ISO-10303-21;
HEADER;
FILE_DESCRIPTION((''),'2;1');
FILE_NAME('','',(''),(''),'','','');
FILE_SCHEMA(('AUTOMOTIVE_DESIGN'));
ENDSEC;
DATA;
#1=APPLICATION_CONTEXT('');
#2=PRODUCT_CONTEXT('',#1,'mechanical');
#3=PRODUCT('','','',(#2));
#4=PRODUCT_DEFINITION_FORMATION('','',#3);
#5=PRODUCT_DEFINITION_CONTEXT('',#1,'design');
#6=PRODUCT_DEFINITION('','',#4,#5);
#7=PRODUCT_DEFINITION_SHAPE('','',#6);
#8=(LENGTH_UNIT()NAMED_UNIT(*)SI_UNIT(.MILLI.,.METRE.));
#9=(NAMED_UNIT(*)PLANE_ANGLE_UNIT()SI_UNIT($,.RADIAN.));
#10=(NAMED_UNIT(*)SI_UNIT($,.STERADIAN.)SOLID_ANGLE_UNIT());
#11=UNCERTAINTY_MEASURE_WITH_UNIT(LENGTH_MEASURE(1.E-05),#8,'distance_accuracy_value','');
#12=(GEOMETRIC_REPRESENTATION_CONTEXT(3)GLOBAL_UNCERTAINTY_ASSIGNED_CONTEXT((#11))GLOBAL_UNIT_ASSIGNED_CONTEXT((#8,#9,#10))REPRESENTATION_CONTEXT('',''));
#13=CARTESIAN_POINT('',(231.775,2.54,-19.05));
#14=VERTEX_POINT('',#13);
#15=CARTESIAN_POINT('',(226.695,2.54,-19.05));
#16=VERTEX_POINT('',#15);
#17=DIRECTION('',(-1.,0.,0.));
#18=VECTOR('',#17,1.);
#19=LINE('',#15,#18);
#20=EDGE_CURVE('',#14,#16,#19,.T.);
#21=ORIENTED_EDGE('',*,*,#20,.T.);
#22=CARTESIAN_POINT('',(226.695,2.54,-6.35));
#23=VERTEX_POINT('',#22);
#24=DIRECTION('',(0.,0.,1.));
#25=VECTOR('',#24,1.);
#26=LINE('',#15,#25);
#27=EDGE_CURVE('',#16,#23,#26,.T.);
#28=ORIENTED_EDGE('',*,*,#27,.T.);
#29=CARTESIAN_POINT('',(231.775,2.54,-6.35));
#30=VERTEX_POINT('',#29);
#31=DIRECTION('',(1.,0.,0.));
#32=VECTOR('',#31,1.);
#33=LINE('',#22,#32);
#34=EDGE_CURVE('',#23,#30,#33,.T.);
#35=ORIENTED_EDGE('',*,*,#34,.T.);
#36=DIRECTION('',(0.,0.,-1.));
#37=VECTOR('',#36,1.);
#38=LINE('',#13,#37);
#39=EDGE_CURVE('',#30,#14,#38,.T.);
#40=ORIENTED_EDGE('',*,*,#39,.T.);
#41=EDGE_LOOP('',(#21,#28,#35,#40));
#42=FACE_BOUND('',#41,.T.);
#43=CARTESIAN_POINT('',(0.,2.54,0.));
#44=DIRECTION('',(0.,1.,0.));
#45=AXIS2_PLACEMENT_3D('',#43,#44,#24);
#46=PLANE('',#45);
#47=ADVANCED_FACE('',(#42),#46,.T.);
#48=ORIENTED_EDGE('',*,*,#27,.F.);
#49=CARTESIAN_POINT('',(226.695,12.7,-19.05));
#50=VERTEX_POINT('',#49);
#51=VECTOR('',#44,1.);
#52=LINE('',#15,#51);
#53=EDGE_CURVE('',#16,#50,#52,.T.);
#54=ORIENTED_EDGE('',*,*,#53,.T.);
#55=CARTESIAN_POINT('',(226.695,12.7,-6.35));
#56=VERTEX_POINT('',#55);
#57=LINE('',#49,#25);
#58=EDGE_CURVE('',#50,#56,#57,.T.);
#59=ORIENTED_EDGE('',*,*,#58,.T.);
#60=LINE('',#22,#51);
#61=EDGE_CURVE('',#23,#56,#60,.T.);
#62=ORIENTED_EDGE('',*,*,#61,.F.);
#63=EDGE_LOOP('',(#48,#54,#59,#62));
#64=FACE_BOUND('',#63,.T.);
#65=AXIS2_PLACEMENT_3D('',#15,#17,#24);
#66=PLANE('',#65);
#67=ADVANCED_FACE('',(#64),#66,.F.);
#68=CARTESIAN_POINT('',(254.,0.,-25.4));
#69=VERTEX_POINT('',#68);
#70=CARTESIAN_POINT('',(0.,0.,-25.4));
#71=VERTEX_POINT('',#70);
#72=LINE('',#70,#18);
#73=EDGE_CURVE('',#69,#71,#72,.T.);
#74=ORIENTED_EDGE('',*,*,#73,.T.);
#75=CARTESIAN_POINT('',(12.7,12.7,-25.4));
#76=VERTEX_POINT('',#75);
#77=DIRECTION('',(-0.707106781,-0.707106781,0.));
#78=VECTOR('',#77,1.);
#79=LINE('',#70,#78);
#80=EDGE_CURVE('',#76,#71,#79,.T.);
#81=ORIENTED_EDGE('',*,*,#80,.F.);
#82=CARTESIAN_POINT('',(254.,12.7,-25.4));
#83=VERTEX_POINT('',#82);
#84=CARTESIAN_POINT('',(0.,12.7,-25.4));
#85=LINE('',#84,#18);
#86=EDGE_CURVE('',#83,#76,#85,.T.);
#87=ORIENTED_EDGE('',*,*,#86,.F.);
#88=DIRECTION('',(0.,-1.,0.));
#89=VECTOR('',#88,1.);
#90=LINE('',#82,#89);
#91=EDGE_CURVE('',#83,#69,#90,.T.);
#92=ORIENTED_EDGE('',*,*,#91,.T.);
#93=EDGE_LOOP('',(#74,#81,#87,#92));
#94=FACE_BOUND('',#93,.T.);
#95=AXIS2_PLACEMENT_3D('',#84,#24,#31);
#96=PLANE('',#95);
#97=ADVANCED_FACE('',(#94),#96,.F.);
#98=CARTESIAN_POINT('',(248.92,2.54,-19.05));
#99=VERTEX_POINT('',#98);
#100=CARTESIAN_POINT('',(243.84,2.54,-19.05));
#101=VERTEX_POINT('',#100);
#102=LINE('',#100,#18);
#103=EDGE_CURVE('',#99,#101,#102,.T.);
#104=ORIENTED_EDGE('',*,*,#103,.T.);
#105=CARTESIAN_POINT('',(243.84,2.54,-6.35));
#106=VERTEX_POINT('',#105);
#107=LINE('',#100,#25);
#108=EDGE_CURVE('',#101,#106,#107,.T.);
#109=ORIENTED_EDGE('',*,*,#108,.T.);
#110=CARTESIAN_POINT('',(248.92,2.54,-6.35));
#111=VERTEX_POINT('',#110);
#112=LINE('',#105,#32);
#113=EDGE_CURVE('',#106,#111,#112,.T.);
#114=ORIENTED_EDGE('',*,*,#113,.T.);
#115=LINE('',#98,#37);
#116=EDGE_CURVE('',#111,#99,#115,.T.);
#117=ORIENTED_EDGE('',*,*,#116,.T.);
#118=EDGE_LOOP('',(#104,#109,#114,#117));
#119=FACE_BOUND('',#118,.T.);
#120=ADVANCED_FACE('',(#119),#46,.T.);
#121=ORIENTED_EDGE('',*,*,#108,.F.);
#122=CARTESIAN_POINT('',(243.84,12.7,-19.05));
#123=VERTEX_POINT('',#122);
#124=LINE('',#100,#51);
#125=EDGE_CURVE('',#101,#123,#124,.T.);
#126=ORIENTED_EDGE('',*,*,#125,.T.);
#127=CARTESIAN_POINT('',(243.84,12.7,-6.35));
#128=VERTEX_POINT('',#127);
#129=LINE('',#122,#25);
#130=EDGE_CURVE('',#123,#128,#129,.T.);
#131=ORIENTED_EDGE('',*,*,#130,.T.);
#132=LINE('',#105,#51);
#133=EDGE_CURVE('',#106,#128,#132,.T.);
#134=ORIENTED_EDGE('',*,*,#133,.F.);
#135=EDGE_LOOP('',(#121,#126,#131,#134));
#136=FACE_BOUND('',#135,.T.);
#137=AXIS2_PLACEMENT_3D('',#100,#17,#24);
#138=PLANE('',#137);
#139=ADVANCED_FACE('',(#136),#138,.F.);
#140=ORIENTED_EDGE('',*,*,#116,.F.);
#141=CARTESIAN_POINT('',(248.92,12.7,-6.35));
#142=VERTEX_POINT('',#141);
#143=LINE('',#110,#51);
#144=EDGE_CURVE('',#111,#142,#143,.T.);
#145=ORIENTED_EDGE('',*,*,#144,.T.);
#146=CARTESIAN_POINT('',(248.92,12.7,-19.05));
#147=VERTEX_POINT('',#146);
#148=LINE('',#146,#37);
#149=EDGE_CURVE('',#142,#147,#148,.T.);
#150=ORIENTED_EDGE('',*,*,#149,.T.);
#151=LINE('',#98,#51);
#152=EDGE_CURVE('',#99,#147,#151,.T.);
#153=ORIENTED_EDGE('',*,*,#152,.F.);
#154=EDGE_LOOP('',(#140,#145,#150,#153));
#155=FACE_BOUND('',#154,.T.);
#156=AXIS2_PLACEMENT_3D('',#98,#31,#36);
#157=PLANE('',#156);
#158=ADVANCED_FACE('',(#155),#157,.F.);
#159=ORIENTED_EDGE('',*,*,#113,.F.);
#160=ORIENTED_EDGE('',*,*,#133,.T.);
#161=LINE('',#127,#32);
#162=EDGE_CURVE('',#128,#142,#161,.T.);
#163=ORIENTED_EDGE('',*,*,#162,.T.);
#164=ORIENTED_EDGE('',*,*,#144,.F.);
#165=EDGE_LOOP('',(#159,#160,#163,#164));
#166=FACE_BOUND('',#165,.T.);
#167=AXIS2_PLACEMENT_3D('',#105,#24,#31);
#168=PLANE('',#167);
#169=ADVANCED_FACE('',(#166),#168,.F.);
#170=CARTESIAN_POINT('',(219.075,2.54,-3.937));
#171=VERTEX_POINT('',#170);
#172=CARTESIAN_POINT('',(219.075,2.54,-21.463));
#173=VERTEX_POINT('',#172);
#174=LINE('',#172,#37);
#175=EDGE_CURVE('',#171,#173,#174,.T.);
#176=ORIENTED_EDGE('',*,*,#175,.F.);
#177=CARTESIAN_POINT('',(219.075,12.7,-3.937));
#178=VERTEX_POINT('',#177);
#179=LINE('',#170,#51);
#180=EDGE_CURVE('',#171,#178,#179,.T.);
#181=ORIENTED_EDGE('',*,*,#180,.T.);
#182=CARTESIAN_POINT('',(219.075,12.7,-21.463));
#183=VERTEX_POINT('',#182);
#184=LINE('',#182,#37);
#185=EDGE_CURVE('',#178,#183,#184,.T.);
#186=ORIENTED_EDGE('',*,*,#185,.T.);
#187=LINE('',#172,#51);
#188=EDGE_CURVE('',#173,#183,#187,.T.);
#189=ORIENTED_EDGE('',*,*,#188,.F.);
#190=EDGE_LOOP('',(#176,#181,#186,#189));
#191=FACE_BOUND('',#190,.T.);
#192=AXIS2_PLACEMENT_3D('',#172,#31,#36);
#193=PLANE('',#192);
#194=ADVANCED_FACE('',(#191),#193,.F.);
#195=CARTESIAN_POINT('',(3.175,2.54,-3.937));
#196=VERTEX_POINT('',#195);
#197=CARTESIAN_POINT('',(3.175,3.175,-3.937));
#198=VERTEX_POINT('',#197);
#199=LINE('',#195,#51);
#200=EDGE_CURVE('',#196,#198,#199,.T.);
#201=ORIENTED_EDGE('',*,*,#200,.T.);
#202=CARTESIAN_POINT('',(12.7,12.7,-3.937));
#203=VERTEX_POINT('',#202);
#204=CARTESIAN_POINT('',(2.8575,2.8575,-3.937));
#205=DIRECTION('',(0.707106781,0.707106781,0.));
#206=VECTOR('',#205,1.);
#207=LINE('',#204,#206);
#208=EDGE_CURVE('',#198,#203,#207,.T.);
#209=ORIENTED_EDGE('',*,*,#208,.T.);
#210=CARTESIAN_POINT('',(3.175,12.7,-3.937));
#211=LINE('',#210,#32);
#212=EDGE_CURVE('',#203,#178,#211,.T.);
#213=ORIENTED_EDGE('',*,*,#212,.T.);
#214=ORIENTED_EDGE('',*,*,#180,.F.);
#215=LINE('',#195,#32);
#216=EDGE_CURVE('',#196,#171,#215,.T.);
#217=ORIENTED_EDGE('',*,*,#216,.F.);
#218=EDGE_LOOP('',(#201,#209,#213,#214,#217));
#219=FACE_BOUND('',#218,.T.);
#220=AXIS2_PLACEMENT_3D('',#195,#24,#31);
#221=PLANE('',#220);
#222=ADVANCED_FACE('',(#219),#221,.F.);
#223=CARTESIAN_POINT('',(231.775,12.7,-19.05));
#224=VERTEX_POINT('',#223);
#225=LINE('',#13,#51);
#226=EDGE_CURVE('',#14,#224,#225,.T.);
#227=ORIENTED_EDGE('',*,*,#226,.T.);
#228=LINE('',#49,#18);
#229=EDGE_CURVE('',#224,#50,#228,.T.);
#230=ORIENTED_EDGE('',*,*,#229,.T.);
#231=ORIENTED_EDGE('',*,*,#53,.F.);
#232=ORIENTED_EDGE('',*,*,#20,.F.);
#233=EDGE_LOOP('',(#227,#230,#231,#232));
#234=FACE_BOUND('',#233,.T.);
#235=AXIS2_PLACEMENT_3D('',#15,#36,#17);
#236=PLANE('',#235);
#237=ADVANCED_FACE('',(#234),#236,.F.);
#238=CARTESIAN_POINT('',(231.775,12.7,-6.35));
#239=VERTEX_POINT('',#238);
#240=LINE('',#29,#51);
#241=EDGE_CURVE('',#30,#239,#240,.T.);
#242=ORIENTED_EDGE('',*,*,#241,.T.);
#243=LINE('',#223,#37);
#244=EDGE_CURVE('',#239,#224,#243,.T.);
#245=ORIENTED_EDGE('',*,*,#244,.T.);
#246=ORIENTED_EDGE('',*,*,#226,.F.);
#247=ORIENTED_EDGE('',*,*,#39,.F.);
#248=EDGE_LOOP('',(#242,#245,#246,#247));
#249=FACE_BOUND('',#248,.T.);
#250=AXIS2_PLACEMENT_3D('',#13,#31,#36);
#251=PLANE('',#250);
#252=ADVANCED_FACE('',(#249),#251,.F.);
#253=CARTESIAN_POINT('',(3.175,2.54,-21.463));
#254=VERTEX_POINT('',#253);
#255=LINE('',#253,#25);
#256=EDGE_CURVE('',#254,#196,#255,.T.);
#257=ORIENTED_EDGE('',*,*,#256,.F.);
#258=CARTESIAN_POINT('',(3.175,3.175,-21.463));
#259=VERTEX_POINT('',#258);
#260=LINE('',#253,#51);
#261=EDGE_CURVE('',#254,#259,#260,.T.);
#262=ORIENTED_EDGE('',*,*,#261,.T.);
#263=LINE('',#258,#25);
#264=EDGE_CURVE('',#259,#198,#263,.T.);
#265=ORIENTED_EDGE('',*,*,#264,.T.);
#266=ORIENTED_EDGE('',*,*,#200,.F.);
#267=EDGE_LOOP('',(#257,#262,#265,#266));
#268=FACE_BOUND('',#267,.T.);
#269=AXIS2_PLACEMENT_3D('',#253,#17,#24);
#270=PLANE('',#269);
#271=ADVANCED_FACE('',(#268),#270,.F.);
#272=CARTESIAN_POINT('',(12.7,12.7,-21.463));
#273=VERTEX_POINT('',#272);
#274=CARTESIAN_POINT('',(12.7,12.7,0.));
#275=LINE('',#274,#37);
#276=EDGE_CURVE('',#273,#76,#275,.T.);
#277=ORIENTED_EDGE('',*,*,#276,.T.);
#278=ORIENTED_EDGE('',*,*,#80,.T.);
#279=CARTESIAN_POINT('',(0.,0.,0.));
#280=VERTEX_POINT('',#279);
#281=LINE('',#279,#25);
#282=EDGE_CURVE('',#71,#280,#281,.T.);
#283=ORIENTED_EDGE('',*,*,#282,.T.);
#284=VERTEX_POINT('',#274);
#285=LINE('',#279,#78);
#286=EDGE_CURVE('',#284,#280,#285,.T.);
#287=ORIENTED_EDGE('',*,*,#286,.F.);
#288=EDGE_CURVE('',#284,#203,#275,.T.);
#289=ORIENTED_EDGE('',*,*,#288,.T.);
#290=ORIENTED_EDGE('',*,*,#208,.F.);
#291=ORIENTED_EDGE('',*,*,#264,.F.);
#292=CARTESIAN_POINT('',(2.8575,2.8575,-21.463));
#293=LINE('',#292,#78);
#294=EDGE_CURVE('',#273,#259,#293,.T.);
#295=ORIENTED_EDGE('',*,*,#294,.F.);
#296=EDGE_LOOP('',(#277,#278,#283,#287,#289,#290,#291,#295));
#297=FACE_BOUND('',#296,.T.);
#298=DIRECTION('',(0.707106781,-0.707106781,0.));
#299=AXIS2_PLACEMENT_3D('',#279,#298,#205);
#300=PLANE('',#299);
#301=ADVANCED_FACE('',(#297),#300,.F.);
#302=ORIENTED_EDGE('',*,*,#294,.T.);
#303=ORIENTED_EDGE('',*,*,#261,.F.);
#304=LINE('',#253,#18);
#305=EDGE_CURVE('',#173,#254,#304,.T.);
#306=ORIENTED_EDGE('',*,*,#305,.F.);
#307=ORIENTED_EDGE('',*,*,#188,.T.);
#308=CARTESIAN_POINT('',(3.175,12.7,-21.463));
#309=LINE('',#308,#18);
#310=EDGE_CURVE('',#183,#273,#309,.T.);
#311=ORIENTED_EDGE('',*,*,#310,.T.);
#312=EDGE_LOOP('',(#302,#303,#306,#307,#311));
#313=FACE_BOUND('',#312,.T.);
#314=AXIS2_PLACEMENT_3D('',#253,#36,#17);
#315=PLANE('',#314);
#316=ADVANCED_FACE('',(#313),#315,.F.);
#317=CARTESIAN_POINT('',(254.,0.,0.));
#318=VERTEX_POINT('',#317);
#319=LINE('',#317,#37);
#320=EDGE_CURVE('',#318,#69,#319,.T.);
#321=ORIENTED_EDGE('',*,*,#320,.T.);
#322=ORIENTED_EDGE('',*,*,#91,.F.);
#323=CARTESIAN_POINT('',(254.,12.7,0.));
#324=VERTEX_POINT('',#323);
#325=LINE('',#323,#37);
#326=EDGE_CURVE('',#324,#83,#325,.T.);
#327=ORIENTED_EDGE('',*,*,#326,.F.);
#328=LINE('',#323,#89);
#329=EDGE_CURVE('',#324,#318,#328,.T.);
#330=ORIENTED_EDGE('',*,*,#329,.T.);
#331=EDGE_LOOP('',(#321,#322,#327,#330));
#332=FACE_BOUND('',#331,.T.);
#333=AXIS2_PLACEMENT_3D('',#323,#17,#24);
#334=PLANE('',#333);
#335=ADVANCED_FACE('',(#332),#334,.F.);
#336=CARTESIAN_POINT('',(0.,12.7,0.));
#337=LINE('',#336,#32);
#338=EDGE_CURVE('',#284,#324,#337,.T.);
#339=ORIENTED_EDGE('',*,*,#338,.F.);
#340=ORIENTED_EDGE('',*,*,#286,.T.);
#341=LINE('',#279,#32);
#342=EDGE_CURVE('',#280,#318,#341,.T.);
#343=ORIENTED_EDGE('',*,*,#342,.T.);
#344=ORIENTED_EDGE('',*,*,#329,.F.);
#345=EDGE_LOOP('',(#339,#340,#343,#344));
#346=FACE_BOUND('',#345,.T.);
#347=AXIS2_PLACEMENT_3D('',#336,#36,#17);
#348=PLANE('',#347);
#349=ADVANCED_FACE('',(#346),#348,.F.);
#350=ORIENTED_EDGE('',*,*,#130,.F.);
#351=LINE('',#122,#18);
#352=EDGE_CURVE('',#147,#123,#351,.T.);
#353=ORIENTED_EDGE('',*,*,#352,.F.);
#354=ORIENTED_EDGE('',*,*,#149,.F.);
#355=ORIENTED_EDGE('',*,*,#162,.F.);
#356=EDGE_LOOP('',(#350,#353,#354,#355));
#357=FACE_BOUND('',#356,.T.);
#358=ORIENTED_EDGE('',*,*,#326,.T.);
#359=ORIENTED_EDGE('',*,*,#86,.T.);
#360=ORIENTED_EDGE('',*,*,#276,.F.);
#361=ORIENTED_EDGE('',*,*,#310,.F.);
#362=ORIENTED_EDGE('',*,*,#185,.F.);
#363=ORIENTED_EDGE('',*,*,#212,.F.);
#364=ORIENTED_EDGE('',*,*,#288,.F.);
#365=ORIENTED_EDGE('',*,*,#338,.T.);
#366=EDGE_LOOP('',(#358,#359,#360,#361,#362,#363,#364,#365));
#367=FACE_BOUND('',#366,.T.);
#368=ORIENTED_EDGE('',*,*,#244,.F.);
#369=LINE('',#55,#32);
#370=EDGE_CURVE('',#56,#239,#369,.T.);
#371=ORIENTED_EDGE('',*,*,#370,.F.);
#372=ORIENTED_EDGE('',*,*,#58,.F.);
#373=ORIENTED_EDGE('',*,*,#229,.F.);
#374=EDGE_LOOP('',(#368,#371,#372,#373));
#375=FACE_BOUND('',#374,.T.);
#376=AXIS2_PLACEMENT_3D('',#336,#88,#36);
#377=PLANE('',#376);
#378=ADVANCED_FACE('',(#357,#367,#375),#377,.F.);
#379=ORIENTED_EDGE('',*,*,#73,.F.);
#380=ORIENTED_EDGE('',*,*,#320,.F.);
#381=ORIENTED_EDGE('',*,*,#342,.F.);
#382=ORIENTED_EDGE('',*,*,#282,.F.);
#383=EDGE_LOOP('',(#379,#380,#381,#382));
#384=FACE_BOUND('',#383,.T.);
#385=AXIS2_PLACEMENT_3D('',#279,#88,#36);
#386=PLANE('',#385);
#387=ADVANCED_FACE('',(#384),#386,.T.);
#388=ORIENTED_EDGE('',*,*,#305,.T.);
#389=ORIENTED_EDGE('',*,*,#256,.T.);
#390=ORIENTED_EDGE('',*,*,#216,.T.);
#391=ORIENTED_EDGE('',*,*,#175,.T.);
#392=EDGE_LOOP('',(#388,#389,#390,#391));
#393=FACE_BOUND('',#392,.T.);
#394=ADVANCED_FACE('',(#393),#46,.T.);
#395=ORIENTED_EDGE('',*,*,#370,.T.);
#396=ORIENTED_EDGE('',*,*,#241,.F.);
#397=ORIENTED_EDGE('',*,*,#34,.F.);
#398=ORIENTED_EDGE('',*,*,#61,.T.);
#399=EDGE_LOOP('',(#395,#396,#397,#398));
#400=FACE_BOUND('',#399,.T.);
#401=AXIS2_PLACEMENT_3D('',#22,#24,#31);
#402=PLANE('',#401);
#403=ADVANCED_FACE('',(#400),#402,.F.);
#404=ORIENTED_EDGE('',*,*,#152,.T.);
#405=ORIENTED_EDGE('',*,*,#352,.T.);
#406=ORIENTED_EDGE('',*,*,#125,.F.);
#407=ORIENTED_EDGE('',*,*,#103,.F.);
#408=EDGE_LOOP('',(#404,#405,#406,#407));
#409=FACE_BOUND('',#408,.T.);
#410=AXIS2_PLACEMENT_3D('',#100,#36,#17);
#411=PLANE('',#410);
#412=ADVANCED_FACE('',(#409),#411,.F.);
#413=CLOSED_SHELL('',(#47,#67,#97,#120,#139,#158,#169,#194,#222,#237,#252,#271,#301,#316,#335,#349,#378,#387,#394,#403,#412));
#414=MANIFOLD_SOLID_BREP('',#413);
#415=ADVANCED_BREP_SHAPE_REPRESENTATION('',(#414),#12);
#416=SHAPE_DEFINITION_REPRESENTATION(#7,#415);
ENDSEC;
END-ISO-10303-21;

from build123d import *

# Parameters (mm, degrees)
SKETCH1_W          = 254
SKETCH1_H          = 25.4
BASE_EXTRUDE_DEPTH = 12.7
SKETCH3_W          = 215.9
SKETCH3_H          = 17.526
PIECE_CUT_DEPTH    = 10.16
CORNER_CUT_DEPTH   = 256.582569828
SKETCH6_W          = 5.08
SKETCH6_H          = 12.7
PEG_CUT_DEPTH      = 10.16


with BuildPart() as part:
    # Sketch1 → Base Extrude (new body)
    with BuildSketch(Plane(origin=(0, 0, 0), x_dir=(1, 0, 0), z_dir=(0, 1, 0))):
        with Locations((127, 12.7)):
            Rectangle(SKETCH1_W, SKETCH1_H)
    extrude(amount=BASE_EXTRUDE_DEPTH)

    # Sketch3 → Piece Cut (cut)
    with BuildSketch(Plane(origin=(0, 12.7, 0), x_dir=(1, 0, 0), z_dir=(0, 1, 0))):
        with Locations((111.125, 12.7)):
            Rectangle(SKETCH3_W, SKETCH3_H)
    extrude(amount=-PIECE_CUT_DEPTH, mode=Mode.SUBTRACT)

    # Sketch4 → Corner Cut (cut, through all)
    with BuildSketch(Plane(origin=(0, 0, -25.4), x_dir=(-1, 0, 0), z_dir=(0, 0, -1))):
        Polygon((0, 0), (-12.7, 12.7), (0, 12.7), align=None)
    extrude(amount=-CORNER_CUT_DEPTH, mode=Mode.SUBTRACT)

    # Sketch6 → Peg Cut (cut)
    with BuildSketch(Plane(origin=(0, 12.7, 0), x_dir=(1, 0, 0), z_dir=(0, 1, 0))):
        with Locations((229.235, 12.7)):
            Rectangle(SKETCH6_W, SKETCH6_H)
        with Locations((246.38, 12.7)):
            Rectangle(SKETCH6_W, SKETCH6_H)
    extrude(amount=-PEG_CUT_DEPTH, mode=Mode.SUBTRACT)


solid = part.part
